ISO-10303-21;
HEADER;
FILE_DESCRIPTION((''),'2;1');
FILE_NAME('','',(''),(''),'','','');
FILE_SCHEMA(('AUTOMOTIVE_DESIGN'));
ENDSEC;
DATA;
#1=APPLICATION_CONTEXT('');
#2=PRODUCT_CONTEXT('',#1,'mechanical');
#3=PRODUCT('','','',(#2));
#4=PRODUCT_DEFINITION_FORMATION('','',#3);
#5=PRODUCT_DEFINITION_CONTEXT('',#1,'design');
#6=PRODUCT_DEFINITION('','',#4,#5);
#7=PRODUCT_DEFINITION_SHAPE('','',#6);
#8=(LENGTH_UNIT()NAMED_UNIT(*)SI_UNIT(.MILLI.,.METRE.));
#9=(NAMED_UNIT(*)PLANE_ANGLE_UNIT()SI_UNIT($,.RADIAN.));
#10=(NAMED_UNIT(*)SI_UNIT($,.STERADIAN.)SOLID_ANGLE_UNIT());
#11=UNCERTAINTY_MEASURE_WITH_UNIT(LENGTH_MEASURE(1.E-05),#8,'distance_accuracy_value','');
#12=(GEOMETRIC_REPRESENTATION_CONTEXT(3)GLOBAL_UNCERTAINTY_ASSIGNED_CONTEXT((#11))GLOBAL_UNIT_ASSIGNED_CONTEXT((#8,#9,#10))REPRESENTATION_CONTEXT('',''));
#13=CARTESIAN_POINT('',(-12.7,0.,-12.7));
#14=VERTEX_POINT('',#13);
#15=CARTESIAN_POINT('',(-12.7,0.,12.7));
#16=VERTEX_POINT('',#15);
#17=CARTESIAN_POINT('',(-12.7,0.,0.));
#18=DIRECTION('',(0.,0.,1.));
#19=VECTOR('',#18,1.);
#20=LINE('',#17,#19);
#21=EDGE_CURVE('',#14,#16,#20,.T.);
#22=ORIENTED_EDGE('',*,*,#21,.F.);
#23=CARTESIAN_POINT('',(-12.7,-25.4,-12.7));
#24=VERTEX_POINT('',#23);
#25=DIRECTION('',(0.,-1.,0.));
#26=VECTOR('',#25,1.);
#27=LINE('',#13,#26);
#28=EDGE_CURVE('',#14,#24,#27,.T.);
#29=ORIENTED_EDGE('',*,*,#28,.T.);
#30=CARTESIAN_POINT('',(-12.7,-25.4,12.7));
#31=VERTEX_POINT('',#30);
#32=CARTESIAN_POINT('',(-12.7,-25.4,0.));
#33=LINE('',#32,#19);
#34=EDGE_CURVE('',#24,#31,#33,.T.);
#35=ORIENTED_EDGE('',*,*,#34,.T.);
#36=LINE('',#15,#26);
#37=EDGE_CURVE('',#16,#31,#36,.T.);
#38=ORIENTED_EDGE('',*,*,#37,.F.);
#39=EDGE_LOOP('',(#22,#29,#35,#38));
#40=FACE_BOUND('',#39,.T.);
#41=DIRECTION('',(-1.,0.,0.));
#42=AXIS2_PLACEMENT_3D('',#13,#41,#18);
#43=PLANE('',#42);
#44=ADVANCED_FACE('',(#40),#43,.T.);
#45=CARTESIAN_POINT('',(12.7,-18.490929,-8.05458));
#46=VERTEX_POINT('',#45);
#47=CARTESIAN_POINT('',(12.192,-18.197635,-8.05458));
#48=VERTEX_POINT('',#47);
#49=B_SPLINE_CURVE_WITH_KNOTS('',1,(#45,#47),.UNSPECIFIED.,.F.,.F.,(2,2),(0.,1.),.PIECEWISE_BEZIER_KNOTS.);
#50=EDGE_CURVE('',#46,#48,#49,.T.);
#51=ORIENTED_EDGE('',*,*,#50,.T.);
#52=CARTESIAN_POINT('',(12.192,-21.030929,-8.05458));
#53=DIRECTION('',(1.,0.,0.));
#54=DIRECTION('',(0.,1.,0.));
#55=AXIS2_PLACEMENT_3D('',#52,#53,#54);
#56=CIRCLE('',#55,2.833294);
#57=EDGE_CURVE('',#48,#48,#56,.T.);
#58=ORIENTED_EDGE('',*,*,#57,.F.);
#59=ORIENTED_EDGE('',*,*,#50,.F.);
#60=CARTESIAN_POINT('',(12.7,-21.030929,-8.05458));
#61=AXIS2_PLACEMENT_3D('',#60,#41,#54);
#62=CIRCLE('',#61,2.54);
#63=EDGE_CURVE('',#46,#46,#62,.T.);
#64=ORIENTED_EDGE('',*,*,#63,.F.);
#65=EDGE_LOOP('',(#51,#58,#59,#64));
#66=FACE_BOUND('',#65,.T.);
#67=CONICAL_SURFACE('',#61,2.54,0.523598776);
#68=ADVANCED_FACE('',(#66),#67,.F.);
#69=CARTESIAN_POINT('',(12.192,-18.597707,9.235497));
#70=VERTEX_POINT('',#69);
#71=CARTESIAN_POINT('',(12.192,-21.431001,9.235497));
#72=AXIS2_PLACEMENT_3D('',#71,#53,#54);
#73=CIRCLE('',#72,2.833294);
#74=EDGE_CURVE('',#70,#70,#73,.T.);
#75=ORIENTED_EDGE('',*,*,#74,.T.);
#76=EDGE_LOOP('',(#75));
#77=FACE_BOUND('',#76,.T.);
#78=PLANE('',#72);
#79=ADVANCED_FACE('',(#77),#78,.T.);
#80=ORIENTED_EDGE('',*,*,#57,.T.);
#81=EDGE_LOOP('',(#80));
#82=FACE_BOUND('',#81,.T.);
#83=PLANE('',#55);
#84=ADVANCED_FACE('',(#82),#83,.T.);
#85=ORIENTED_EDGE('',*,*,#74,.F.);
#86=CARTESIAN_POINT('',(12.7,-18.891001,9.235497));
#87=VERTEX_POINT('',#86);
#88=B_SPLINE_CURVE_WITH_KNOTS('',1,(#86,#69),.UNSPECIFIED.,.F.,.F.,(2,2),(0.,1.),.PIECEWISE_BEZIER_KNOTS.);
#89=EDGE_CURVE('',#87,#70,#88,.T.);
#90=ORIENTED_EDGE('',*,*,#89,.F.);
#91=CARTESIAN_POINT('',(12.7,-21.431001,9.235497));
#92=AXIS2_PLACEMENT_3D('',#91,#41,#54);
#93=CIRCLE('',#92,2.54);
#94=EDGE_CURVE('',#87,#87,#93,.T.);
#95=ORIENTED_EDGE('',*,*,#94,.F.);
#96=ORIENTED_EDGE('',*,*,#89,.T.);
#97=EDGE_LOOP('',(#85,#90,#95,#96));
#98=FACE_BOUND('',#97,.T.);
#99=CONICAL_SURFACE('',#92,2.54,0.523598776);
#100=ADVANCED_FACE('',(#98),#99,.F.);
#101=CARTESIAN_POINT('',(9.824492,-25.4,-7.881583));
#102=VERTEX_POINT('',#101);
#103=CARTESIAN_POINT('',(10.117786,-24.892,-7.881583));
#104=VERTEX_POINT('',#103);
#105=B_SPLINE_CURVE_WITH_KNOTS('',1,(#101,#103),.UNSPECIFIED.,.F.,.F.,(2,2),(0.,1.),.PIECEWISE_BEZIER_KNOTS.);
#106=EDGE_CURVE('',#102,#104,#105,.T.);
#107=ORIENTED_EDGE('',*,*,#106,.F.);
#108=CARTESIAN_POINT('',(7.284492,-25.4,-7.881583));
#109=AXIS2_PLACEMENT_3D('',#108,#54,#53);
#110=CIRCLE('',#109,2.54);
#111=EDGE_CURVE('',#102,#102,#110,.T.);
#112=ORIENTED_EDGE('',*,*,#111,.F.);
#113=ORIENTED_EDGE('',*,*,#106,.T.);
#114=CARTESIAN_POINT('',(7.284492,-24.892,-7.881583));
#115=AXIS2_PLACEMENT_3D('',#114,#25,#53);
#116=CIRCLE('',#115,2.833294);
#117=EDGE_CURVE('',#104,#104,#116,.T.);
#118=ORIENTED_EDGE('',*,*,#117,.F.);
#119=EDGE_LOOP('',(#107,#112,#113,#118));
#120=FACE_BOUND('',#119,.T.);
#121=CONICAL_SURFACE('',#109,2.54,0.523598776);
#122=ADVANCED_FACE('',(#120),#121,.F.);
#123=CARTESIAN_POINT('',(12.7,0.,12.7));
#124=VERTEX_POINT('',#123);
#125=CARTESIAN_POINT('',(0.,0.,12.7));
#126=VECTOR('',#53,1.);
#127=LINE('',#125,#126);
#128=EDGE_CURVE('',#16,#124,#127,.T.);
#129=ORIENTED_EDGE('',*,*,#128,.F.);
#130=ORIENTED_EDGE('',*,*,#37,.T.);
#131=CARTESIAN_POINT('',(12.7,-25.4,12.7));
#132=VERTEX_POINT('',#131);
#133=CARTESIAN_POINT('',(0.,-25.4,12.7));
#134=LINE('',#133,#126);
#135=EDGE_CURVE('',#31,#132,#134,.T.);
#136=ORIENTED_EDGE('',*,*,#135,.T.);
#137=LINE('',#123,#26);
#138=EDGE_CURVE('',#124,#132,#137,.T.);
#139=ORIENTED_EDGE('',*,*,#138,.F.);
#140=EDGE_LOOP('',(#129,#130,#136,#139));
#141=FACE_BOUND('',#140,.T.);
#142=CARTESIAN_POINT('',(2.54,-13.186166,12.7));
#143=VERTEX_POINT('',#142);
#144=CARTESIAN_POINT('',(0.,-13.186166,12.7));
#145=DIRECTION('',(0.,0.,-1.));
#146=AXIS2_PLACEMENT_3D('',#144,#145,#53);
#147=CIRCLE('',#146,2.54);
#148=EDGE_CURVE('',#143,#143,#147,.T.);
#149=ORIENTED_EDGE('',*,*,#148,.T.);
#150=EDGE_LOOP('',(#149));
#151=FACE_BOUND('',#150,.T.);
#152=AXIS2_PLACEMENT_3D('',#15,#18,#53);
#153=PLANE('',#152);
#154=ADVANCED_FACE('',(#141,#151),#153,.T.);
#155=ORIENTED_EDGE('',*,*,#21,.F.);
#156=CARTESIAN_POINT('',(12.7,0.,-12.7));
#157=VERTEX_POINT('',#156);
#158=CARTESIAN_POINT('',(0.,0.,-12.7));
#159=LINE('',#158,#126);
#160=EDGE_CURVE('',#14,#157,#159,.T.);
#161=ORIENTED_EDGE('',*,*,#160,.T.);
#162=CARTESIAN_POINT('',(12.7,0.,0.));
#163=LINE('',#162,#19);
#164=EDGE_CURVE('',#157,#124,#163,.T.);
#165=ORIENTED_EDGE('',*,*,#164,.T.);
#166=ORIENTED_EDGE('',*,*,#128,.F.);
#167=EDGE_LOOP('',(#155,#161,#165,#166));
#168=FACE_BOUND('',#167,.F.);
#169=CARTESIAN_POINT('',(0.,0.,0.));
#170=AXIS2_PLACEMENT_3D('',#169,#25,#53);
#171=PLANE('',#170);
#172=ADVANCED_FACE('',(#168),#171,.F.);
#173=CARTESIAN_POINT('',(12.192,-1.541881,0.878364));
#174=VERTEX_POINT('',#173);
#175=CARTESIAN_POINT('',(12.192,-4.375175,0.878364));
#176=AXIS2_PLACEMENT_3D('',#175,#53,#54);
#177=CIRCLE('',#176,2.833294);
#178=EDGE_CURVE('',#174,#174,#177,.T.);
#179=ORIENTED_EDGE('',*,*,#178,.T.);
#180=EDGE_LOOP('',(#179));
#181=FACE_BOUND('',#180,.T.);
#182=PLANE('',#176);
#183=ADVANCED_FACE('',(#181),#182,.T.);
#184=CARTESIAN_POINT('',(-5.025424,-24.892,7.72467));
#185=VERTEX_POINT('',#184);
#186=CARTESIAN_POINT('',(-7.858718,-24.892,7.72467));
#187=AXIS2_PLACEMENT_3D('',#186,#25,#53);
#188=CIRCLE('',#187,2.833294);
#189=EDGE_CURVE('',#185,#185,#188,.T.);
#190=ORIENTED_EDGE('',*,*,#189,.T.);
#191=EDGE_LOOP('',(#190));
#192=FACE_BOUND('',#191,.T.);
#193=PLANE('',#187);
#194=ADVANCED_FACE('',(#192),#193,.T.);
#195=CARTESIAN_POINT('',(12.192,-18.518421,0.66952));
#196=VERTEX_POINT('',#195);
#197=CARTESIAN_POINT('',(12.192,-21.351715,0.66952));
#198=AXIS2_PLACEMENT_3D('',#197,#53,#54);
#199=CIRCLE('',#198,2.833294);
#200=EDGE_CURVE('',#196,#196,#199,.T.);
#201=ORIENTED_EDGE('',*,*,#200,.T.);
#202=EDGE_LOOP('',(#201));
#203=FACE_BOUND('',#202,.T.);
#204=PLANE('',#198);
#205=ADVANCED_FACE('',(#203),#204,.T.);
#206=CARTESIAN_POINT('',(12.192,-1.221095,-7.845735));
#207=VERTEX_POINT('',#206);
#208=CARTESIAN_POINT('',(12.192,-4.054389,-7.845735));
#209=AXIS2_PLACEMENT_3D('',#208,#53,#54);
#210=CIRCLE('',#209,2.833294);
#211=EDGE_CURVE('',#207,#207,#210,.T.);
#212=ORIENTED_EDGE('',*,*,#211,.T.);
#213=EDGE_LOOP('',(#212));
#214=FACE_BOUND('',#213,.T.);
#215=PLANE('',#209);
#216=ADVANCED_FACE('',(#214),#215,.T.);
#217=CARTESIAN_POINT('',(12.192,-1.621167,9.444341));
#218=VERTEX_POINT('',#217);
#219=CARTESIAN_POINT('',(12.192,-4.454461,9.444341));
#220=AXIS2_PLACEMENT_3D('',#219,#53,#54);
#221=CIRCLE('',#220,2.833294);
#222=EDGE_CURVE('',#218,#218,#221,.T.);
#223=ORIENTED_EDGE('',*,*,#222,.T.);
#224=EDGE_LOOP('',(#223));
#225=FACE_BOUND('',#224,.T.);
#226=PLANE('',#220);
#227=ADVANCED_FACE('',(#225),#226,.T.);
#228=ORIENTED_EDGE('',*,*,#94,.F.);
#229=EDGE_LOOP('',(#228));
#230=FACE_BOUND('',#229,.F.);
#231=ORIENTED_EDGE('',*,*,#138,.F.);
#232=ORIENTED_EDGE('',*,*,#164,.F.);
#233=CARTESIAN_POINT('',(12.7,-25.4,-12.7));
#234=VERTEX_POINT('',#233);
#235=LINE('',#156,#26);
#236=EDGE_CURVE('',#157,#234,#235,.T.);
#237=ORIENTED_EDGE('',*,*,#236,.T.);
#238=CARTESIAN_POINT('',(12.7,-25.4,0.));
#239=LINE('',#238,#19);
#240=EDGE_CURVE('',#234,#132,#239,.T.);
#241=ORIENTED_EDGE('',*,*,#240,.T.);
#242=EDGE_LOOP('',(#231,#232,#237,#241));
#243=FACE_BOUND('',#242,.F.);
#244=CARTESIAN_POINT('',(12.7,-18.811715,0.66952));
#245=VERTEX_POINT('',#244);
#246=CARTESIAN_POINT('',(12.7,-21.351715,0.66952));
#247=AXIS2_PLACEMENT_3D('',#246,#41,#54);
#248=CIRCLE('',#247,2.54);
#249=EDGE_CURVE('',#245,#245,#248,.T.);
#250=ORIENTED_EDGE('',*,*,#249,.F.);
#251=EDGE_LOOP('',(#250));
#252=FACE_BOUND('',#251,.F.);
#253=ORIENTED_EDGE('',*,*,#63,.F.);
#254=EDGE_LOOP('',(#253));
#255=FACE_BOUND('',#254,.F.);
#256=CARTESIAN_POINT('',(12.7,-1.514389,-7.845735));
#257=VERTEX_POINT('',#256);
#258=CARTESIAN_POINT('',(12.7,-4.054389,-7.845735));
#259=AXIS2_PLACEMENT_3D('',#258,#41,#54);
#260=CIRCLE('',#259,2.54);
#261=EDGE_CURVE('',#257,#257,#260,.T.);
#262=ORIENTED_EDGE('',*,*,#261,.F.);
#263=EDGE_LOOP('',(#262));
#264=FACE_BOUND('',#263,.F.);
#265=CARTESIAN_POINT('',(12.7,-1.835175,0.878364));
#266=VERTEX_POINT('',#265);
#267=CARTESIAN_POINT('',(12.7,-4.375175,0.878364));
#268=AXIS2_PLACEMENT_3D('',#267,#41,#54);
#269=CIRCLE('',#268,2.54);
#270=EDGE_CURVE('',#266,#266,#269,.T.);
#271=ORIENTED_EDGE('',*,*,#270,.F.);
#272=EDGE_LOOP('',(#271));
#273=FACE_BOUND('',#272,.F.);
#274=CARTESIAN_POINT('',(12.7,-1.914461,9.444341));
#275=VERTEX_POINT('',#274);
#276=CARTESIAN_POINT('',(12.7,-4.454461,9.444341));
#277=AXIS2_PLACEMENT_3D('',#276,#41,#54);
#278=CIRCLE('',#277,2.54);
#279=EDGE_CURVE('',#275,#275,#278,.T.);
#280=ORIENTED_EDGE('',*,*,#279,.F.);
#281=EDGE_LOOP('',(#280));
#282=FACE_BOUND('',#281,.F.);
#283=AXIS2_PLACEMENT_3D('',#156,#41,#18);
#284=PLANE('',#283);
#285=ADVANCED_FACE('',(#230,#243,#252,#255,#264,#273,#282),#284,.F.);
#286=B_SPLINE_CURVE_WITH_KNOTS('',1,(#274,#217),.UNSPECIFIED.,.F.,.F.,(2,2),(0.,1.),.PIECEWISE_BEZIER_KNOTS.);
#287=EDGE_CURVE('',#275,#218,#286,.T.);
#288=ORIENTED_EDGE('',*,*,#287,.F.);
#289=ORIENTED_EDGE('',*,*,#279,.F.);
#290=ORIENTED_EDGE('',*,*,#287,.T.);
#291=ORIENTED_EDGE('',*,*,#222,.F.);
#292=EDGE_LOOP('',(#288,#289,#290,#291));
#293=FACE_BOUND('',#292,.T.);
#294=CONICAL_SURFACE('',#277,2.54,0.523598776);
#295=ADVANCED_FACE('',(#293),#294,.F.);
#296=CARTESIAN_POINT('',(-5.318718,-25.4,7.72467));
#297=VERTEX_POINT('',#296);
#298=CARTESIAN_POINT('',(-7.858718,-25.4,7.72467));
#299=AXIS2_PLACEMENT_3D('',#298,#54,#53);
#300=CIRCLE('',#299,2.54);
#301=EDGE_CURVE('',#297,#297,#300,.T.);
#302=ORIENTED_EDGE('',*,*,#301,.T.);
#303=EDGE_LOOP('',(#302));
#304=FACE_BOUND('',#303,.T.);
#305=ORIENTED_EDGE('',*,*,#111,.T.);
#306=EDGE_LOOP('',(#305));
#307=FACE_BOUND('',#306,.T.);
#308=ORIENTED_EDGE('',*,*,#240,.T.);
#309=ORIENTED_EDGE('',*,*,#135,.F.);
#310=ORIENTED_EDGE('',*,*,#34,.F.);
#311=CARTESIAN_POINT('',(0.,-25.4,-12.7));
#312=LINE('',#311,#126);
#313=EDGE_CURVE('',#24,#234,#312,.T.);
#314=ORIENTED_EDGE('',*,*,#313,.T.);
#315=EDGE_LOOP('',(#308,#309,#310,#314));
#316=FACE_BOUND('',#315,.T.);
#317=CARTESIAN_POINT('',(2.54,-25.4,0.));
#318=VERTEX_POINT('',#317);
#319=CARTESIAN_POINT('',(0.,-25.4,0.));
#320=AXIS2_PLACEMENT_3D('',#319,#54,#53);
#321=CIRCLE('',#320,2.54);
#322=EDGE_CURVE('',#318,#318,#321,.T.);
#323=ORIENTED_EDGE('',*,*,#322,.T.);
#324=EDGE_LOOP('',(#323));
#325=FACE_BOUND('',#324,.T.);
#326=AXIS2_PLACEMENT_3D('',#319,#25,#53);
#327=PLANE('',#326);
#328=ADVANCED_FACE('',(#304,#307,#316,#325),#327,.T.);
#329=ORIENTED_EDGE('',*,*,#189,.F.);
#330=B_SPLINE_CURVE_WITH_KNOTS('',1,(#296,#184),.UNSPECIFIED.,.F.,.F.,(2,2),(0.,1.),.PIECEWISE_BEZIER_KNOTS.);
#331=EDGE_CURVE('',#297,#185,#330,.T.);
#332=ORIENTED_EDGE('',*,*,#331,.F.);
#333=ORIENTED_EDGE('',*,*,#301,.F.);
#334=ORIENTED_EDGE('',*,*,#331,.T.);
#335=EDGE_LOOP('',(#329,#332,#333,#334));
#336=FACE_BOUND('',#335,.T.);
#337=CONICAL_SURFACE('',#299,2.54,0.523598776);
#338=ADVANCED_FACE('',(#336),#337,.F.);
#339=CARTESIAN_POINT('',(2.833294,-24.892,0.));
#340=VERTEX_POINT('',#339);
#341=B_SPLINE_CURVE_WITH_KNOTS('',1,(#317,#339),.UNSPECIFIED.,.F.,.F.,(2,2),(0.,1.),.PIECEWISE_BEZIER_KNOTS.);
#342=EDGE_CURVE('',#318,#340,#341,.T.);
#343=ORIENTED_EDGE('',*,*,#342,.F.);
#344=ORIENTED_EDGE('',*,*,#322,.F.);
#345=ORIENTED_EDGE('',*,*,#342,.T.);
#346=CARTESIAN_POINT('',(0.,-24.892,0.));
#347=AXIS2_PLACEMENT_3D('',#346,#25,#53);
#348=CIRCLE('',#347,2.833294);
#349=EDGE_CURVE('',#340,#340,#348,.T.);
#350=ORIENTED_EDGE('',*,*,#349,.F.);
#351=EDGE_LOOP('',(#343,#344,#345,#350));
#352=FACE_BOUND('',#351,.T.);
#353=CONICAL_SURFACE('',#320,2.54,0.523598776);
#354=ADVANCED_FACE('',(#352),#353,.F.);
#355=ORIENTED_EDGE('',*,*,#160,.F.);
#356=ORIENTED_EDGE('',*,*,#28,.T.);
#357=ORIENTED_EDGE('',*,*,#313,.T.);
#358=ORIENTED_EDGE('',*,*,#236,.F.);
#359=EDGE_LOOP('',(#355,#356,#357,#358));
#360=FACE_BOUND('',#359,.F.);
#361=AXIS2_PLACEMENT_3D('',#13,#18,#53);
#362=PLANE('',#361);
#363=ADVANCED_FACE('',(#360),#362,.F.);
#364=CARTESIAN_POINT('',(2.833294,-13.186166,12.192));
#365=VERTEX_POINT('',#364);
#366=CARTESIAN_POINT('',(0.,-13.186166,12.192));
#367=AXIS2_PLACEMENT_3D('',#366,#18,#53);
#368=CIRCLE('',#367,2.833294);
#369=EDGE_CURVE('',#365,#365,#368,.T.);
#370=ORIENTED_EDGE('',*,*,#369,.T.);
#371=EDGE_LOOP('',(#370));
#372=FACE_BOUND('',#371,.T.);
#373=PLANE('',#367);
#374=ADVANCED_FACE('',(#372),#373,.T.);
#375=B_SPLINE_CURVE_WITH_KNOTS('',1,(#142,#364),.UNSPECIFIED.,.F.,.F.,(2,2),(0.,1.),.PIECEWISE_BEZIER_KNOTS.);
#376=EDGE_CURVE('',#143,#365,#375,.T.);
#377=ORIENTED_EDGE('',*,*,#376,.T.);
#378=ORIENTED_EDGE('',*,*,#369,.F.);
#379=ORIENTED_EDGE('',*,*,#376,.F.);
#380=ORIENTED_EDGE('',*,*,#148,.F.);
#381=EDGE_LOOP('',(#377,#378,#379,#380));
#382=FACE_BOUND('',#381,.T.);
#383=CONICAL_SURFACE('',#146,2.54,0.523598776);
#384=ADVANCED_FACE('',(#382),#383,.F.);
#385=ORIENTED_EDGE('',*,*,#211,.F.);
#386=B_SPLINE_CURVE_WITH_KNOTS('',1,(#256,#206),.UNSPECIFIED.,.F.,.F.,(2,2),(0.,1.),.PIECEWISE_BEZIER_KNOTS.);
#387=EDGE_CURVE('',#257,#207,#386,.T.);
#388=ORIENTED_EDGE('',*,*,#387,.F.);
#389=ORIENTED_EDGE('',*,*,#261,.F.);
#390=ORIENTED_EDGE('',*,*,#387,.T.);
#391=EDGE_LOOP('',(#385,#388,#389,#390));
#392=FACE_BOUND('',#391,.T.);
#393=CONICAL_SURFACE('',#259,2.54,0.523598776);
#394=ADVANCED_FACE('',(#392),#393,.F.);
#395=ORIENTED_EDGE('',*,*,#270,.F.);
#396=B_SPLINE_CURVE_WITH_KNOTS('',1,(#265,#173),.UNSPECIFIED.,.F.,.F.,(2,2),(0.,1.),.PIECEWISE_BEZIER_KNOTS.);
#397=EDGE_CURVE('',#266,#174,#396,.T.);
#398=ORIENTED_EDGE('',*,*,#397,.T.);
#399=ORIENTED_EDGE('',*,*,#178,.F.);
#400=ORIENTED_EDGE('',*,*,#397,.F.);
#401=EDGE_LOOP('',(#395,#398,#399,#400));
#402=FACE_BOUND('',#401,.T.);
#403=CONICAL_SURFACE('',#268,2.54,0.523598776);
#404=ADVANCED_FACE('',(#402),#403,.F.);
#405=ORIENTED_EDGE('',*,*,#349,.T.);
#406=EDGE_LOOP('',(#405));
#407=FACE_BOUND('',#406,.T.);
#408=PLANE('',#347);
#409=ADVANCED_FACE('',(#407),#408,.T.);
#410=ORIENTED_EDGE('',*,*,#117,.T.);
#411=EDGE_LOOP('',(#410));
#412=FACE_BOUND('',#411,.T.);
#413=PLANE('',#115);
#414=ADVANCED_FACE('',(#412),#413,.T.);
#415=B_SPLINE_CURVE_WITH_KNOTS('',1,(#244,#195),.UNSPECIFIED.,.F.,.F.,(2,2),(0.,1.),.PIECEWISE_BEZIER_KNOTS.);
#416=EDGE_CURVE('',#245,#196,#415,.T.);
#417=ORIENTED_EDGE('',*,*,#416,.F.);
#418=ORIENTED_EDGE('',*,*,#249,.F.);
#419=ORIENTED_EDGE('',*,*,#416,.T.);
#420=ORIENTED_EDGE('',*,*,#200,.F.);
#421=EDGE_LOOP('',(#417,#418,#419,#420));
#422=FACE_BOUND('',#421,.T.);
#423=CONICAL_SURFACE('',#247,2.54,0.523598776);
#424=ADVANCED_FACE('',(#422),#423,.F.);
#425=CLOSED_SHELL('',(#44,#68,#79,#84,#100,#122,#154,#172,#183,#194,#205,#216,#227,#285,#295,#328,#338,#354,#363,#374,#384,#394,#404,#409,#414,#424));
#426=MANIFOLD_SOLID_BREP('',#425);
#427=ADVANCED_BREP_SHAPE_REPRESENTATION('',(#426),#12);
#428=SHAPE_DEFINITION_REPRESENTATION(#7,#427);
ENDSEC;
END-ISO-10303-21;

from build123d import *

# Parameters (mm, degrees)
F0_W     = 25.4
F0_H     = 25.4
F1_DEPTH = 25.4
F2_R     = 2.54
F3_DEPTH = 0.508
F3_TAPER = -30
F4_R     = 2.54
F5_DEPTH = 0.508
F5_TAPER = -30
F6_R     = 2.54
F7_DEPTH = 0.508
F7_TAPER = -30


with BuildPart() as f1:
    # F0 (on Front) → F1 (new body)
    with BuildSketch(Plane.XZ):
        Rectangle(F0_W, F0_H)
    extrude(amount=F1_DEPTH)

    # F2 (on face) → F3 (cut)
    with BuildSketch(Plane.XY.offset(12.7)):
        with Locations((0, -13.1861664227)):
            Circle(F2_R)
    extrude(amount=-F3_DEPTH, taper=F3_TAPER, mode=Mode.SUBTRACT)

    # F4 (on face) → F5 (cut)
    with BuildSketch(Plane.XZ.offset(25.4)):
        with Locations((-7.8587181904, 7.7246704255)):
            Circle(F4_R)
        Circle(F4_R)
        with Locations((7.2844922543, -7.8815827146)):
            Circle(F4_R)
    extrude(amount=-F5_DEPTH, taper=F5_TAPER, mode=Mode.SUBTRACT)

    # F6 (on face) → F7 (cut)
    with BuildSketch(Plane.YZ.offset(12.7)):
        with Locations((-21.4310005392, 9.2354966214)):
            Circle(F6_R)
        with Locations((-21.3517151213, 0.6695195233)):
            Circle(F6_R)
        with Locations((-21.0309289396, -8.0545796081)):
            Circle(F6_R)
        with Locations((-4.4544605161, 9.4443410787)):
            Circle(F6_R)
        with Locations((-4.3751750982, 0.8783639806)):
            Circle(F6_R)
        with Locations((-4.0543889164, -7.8457351509)):
            Circle(F6_R)
    extrude(amount=-F7_DEPTH, taper=F7_TAPER, mode=Mode.SUBTRACT)


solid = f1.part
